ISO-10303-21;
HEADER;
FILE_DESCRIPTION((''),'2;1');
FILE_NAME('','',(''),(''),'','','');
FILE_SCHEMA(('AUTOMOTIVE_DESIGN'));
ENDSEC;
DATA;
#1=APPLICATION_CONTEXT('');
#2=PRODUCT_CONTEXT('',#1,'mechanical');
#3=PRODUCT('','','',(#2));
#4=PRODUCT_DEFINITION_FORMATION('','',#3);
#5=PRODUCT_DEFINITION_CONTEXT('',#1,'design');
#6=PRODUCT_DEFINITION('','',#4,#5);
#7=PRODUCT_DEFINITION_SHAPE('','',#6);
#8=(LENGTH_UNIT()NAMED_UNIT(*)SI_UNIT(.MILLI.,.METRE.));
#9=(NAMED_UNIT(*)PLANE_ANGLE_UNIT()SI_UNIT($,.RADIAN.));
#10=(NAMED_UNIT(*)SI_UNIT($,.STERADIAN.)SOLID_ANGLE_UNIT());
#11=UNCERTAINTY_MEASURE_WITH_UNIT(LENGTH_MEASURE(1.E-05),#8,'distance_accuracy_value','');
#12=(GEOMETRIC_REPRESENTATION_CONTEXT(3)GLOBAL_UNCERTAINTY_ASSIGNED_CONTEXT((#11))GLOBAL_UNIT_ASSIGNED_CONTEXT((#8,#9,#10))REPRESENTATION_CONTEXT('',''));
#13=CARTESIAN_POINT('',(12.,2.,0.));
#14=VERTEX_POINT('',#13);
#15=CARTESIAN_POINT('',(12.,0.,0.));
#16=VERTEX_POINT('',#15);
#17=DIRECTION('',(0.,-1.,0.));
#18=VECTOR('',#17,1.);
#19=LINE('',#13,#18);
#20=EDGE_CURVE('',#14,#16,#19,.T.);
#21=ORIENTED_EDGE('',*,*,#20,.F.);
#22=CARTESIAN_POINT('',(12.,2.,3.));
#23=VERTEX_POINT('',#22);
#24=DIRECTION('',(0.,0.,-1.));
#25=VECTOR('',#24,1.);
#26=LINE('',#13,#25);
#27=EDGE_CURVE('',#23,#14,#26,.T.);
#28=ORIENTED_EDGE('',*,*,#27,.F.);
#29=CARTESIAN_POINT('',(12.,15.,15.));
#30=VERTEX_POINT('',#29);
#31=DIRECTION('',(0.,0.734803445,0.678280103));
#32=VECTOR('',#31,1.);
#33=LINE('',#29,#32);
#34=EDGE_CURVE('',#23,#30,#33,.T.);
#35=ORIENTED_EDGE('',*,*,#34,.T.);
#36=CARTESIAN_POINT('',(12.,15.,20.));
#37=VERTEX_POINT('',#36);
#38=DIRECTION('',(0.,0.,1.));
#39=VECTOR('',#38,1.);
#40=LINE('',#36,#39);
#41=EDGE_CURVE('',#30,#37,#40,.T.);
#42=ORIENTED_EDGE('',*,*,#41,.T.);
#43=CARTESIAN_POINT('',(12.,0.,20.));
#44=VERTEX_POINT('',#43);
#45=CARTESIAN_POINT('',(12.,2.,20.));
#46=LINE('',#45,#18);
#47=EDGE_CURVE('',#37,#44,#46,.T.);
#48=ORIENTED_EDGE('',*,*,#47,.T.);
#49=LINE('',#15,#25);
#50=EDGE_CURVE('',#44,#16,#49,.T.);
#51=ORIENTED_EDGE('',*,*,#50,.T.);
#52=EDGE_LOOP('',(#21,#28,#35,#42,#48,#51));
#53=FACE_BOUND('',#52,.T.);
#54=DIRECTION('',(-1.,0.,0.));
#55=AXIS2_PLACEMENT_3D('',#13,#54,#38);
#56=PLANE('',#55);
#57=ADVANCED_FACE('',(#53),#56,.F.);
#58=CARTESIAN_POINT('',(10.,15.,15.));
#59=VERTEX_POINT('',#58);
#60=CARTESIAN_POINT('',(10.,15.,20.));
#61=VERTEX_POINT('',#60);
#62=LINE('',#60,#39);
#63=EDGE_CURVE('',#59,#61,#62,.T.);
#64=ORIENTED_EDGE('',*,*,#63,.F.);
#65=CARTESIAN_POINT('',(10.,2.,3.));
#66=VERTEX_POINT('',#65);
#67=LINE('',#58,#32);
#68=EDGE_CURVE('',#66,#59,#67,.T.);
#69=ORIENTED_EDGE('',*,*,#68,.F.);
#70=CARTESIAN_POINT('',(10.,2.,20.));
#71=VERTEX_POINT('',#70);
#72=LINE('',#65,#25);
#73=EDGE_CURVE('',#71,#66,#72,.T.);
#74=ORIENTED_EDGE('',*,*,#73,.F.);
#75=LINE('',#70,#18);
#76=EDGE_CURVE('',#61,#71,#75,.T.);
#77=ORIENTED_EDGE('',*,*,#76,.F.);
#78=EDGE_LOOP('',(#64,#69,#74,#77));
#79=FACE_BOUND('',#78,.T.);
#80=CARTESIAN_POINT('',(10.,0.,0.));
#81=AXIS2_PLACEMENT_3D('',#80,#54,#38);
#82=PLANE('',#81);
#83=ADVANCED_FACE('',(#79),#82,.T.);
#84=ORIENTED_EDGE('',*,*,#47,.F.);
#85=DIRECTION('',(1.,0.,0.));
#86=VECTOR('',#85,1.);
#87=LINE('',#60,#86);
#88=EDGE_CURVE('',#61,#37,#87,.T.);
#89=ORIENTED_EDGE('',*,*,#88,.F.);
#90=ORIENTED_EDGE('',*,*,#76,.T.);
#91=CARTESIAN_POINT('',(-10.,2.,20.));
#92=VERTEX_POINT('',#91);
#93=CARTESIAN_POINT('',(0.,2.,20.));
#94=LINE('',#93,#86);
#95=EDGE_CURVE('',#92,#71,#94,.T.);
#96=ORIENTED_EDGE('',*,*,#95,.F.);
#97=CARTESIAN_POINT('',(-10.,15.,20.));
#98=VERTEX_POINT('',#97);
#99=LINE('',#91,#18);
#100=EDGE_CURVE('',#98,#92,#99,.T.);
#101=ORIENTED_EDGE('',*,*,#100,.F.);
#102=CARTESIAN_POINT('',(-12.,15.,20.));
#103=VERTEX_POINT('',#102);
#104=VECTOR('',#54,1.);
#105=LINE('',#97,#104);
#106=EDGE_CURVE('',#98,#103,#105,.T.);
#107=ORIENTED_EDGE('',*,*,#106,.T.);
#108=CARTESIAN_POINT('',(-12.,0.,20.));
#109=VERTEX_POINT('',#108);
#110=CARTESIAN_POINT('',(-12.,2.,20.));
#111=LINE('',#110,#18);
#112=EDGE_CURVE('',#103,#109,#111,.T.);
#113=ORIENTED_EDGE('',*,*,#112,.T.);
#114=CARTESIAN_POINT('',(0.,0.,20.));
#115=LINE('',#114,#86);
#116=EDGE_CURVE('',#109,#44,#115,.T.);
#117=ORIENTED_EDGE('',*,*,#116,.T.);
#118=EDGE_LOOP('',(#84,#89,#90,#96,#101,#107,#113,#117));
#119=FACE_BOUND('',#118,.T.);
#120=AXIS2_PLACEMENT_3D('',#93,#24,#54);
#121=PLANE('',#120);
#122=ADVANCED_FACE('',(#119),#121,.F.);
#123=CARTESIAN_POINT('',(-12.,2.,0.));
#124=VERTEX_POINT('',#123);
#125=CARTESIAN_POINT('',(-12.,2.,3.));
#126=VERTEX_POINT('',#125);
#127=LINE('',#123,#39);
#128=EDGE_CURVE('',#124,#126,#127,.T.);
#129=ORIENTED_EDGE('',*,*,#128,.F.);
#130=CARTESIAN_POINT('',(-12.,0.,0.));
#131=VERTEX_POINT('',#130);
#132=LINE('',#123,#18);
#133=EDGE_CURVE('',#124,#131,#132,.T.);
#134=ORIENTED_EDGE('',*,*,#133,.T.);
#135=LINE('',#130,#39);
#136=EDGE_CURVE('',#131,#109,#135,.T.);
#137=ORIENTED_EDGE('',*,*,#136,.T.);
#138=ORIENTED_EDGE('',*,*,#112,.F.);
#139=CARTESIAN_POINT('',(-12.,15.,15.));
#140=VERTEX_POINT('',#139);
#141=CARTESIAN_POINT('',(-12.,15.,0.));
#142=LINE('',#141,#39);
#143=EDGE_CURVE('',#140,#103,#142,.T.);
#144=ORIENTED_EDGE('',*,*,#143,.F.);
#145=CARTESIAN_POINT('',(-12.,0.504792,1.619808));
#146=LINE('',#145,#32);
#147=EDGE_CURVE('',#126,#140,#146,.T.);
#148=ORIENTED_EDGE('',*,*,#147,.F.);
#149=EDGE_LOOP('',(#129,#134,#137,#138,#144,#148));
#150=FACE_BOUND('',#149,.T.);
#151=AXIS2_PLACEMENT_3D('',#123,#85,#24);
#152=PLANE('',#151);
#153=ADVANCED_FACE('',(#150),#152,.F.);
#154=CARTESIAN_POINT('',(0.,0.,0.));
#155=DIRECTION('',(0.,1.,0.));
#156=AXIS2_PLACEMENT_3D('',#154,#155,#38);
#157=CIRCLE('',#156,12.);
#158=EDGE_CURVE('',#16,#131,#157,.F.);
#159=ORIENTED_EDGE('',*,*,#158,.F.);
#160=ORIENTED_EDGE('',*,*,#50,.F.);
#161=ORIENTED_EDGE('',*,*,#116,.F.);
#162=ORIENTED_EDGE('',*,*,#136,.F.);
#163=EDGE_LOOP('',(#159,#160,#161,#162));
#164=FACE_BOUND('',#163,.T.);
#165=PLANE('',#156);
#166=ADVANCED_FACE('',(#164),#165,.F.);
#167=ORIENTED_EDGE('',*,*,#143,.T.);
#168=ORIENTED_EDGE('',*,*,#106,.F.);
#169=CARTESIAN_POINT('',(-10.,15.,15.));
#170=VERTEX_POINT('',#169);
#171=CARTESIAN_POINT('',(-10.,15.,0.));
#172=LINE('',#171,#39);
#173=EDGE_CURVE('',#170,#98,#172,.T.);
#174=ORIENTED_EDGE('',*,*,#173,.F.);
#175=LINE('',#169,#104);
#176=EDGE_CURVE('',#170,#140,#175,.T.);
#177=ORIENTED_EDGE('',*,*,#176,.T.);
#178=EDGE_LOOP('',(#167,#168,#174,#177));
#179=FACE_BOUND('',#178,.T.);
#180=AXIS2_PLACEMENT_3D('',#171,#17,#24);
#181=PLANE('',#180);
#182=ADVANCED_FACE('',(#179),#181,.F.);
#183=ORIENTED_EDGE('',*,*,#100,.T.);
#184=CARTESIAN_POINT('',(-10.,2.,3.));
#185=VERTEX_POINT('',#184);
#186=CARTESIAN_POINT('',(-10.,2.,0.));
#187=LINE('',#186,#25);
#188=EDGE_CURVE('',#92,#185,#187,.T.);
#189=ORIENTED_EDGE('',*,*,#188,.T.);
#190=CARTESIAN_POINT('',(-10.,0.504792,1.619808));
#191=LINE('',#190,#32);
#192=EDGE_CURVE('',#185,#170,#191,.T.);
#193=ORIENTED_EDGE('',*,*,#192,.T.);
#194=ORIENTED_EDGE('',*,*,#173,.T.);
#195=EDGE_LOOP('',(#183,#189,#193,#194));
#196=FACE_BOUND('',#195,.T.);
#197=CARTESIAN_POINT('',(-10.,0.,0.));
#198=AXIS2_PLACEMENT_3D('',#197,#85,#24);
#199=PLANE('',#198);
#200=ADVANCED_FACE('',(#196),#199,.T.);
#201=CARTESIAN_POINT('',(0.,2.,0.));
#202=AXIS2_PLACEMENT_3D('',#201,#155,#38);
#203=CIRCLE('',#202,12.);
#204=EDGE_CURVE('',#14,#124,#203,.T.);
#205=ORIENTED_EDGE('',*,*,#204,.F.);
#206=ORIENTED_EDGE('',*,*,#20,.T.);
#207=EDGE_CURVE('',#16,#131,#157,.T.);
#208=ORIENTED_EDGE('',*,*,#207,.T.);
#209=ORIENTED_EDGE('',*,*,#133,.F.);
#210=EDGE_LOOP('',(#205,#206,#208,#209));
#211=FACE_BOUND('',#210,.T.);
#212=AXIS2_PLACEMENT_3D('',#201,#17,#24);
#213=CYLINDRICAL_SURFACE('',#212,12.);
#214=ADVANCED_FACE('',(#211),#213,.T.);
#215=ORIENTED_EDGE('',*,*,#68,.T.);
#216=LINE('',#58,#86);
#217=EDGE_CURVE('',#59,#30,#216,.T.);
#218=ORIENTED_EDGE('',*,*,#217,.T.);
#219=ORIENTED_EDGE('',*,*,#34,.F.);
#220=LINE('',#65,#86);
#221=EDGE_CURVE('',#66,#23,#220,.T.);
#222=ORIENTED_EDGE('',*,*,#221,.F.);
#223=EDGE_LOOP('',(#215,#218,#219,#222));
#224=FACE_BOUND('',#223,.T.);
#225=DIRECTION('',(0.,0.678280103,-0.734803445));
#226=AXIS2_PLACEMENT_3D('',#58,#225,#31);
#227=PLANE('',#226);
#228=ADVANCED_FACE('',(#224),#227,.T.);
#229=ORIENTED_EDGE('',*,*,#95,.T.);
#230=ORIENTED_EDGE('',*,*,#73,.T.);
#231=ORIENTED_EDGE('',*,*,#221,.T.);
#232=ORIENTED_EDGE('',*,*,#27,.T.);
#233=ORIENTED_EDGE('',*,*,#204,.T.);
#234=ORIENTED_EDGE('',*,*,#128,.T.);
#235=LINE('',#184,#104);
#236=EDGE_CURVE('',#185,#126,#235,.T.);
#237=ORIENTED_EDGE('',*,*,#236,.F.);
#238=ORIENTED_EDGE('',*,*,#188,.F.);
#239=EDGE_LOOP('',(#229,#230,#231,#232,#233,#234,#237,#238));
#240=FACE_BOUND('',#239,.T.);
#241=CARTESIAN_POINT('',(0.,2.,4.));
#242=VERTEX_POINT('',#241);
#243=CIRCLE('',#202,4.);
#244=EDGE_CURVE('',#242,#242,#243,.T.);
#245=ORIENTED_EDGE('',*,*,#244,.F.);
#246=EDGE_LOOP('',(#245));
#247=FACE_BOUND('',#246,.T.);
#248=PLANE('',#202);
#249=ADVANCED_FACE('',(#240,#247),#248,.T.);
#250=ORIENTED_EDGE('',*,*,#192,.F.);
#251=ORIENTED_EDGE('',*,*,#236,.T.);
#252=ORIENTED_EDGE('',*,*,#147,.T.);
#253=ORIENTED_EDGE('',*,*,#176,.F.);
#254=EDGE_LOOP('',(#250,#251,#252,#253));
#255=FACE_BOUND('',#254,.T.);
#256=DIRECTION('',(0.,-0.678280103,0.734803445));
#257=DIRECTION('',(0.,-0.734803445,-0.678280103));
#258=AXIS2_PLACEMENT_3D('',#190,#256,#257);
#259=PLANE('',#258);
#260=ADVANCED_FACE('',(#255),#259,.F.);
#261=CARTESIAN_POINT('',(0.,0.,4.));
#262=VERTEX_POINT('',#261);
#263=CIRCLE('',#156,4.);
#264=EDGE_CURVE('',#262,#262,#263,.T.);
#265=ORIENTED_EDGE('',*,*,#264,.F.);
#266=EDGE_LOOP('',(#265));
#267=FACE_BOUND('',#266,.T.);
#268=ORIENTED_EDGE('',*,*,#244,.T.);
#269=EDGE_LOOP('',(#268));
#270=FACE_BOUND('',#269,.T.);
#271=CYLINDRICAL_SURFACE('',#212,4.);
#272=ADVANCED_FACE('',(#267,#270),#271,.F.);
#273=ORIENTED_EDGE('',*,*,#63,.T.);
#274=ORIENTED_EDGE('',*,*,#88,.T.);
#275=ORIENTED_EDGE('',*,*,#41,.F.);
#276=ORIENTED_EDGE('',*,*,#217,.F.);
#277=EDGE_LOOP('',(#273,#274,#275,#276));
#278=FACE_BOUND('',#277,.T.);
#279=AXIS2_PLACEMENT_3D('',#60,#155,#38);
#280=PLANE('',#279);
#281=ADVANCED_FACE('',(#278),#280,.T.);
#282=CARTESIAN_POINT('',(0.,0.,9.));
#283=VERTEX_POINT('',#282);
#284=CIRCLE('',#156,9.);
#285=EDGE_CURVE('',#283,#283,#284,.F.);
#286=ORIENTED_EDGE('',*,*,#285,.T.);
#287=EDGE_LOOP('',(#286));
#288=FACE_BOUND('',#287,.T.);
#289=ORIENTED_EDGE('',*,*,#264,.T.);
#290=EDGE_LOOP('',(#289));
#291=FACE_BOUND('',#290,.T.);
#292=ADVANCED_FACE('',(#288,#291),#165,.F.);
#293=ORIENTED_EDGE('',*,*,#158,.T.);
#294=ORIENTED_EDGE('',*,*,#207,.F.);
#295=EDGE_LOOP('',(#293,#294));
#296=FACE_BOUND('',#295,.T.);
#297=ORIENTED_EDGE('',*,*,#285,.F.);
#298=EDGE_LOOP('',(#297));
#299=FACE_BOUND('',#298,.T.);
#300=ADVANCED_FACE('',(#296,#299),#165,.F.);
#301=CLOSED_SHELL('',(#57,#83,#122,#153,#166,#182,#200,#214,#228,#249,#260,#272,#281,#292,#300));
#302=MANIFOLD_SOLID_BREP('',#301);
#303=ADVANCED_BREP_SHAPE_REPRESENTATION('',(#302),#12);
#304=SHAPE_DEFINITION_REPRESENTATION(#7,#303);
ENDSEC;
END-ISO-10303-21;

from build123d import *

# Parameters (mm, degrees)
SKETCH_1_R          = 12
SKETCH_1_R_2        = 4
EXTRUDE_1_DEPTH     = 2
EXTRUDE_2_DEPTH     = 2
BOSS_EXTRUDE1_START = -24
BOSS_EXTRUDE1_DEPTH = 2


with BuildPart() as part:
    # 草图1 → 凸台-拉伸1 (new body)
    # profile 1 of 2: a face of its own
    with BuildSketch(Plane(origin=(0, 0, 0), x_dir=(1, 0, 0), z_dir=(0, 1, 0))):
        Circle(SKETCH_1_R)
        with Locations(Location((0, 0, 0), (0, 0, 270))):
            Circle(SKETCH_1_R_2, mode=Mode.SUBTRACT)
    # profile 2 of 2: a face of its own
    with BuildSketch(Plane(origin=(0, 0, 0), x_dir=(1, 0, 0), z_dir=(0, 1, 0))):
        with BuildLine():
            ThreePointArc((12, 0), (0, -12), (-12, 0))
            Line((-12, 0), (-12, -20))
            Line((-12, -20), (12, -20))
            Line((12, -20), (12, 0))
        make_face()
    extrude(amount=EXTRUDE_1_DEPTH)

    # 草图3 → 凸台-拉伸2 (add)
    with BuildSketch(Plane(origin=(12, 0, 0), x_dir=(0, 0, -1), z_dir=(1, 0, 0))):
        Polygon((-20, 2), (-20, 15), (-15, 15), (-3, 2), align=None)
    extrude(amount=-EXTRUDE_2_DEPTH)

    # 草图3<2> → Boss-Extrude1 (add)
    with BuildSketch(Plane(origin=(12, 0, 0), x_dir=(0, 0, -1), z_dir=(1, 0, 0)).offset(BOSS_EXTRUDE1_START)):
        Polygon((-20, 2), (-20, 15), (-15, 15), (-3, 2), align=None)
    extrude(amount=BOSS_EXTRUDE1_DEPTH)


solid = part.part
